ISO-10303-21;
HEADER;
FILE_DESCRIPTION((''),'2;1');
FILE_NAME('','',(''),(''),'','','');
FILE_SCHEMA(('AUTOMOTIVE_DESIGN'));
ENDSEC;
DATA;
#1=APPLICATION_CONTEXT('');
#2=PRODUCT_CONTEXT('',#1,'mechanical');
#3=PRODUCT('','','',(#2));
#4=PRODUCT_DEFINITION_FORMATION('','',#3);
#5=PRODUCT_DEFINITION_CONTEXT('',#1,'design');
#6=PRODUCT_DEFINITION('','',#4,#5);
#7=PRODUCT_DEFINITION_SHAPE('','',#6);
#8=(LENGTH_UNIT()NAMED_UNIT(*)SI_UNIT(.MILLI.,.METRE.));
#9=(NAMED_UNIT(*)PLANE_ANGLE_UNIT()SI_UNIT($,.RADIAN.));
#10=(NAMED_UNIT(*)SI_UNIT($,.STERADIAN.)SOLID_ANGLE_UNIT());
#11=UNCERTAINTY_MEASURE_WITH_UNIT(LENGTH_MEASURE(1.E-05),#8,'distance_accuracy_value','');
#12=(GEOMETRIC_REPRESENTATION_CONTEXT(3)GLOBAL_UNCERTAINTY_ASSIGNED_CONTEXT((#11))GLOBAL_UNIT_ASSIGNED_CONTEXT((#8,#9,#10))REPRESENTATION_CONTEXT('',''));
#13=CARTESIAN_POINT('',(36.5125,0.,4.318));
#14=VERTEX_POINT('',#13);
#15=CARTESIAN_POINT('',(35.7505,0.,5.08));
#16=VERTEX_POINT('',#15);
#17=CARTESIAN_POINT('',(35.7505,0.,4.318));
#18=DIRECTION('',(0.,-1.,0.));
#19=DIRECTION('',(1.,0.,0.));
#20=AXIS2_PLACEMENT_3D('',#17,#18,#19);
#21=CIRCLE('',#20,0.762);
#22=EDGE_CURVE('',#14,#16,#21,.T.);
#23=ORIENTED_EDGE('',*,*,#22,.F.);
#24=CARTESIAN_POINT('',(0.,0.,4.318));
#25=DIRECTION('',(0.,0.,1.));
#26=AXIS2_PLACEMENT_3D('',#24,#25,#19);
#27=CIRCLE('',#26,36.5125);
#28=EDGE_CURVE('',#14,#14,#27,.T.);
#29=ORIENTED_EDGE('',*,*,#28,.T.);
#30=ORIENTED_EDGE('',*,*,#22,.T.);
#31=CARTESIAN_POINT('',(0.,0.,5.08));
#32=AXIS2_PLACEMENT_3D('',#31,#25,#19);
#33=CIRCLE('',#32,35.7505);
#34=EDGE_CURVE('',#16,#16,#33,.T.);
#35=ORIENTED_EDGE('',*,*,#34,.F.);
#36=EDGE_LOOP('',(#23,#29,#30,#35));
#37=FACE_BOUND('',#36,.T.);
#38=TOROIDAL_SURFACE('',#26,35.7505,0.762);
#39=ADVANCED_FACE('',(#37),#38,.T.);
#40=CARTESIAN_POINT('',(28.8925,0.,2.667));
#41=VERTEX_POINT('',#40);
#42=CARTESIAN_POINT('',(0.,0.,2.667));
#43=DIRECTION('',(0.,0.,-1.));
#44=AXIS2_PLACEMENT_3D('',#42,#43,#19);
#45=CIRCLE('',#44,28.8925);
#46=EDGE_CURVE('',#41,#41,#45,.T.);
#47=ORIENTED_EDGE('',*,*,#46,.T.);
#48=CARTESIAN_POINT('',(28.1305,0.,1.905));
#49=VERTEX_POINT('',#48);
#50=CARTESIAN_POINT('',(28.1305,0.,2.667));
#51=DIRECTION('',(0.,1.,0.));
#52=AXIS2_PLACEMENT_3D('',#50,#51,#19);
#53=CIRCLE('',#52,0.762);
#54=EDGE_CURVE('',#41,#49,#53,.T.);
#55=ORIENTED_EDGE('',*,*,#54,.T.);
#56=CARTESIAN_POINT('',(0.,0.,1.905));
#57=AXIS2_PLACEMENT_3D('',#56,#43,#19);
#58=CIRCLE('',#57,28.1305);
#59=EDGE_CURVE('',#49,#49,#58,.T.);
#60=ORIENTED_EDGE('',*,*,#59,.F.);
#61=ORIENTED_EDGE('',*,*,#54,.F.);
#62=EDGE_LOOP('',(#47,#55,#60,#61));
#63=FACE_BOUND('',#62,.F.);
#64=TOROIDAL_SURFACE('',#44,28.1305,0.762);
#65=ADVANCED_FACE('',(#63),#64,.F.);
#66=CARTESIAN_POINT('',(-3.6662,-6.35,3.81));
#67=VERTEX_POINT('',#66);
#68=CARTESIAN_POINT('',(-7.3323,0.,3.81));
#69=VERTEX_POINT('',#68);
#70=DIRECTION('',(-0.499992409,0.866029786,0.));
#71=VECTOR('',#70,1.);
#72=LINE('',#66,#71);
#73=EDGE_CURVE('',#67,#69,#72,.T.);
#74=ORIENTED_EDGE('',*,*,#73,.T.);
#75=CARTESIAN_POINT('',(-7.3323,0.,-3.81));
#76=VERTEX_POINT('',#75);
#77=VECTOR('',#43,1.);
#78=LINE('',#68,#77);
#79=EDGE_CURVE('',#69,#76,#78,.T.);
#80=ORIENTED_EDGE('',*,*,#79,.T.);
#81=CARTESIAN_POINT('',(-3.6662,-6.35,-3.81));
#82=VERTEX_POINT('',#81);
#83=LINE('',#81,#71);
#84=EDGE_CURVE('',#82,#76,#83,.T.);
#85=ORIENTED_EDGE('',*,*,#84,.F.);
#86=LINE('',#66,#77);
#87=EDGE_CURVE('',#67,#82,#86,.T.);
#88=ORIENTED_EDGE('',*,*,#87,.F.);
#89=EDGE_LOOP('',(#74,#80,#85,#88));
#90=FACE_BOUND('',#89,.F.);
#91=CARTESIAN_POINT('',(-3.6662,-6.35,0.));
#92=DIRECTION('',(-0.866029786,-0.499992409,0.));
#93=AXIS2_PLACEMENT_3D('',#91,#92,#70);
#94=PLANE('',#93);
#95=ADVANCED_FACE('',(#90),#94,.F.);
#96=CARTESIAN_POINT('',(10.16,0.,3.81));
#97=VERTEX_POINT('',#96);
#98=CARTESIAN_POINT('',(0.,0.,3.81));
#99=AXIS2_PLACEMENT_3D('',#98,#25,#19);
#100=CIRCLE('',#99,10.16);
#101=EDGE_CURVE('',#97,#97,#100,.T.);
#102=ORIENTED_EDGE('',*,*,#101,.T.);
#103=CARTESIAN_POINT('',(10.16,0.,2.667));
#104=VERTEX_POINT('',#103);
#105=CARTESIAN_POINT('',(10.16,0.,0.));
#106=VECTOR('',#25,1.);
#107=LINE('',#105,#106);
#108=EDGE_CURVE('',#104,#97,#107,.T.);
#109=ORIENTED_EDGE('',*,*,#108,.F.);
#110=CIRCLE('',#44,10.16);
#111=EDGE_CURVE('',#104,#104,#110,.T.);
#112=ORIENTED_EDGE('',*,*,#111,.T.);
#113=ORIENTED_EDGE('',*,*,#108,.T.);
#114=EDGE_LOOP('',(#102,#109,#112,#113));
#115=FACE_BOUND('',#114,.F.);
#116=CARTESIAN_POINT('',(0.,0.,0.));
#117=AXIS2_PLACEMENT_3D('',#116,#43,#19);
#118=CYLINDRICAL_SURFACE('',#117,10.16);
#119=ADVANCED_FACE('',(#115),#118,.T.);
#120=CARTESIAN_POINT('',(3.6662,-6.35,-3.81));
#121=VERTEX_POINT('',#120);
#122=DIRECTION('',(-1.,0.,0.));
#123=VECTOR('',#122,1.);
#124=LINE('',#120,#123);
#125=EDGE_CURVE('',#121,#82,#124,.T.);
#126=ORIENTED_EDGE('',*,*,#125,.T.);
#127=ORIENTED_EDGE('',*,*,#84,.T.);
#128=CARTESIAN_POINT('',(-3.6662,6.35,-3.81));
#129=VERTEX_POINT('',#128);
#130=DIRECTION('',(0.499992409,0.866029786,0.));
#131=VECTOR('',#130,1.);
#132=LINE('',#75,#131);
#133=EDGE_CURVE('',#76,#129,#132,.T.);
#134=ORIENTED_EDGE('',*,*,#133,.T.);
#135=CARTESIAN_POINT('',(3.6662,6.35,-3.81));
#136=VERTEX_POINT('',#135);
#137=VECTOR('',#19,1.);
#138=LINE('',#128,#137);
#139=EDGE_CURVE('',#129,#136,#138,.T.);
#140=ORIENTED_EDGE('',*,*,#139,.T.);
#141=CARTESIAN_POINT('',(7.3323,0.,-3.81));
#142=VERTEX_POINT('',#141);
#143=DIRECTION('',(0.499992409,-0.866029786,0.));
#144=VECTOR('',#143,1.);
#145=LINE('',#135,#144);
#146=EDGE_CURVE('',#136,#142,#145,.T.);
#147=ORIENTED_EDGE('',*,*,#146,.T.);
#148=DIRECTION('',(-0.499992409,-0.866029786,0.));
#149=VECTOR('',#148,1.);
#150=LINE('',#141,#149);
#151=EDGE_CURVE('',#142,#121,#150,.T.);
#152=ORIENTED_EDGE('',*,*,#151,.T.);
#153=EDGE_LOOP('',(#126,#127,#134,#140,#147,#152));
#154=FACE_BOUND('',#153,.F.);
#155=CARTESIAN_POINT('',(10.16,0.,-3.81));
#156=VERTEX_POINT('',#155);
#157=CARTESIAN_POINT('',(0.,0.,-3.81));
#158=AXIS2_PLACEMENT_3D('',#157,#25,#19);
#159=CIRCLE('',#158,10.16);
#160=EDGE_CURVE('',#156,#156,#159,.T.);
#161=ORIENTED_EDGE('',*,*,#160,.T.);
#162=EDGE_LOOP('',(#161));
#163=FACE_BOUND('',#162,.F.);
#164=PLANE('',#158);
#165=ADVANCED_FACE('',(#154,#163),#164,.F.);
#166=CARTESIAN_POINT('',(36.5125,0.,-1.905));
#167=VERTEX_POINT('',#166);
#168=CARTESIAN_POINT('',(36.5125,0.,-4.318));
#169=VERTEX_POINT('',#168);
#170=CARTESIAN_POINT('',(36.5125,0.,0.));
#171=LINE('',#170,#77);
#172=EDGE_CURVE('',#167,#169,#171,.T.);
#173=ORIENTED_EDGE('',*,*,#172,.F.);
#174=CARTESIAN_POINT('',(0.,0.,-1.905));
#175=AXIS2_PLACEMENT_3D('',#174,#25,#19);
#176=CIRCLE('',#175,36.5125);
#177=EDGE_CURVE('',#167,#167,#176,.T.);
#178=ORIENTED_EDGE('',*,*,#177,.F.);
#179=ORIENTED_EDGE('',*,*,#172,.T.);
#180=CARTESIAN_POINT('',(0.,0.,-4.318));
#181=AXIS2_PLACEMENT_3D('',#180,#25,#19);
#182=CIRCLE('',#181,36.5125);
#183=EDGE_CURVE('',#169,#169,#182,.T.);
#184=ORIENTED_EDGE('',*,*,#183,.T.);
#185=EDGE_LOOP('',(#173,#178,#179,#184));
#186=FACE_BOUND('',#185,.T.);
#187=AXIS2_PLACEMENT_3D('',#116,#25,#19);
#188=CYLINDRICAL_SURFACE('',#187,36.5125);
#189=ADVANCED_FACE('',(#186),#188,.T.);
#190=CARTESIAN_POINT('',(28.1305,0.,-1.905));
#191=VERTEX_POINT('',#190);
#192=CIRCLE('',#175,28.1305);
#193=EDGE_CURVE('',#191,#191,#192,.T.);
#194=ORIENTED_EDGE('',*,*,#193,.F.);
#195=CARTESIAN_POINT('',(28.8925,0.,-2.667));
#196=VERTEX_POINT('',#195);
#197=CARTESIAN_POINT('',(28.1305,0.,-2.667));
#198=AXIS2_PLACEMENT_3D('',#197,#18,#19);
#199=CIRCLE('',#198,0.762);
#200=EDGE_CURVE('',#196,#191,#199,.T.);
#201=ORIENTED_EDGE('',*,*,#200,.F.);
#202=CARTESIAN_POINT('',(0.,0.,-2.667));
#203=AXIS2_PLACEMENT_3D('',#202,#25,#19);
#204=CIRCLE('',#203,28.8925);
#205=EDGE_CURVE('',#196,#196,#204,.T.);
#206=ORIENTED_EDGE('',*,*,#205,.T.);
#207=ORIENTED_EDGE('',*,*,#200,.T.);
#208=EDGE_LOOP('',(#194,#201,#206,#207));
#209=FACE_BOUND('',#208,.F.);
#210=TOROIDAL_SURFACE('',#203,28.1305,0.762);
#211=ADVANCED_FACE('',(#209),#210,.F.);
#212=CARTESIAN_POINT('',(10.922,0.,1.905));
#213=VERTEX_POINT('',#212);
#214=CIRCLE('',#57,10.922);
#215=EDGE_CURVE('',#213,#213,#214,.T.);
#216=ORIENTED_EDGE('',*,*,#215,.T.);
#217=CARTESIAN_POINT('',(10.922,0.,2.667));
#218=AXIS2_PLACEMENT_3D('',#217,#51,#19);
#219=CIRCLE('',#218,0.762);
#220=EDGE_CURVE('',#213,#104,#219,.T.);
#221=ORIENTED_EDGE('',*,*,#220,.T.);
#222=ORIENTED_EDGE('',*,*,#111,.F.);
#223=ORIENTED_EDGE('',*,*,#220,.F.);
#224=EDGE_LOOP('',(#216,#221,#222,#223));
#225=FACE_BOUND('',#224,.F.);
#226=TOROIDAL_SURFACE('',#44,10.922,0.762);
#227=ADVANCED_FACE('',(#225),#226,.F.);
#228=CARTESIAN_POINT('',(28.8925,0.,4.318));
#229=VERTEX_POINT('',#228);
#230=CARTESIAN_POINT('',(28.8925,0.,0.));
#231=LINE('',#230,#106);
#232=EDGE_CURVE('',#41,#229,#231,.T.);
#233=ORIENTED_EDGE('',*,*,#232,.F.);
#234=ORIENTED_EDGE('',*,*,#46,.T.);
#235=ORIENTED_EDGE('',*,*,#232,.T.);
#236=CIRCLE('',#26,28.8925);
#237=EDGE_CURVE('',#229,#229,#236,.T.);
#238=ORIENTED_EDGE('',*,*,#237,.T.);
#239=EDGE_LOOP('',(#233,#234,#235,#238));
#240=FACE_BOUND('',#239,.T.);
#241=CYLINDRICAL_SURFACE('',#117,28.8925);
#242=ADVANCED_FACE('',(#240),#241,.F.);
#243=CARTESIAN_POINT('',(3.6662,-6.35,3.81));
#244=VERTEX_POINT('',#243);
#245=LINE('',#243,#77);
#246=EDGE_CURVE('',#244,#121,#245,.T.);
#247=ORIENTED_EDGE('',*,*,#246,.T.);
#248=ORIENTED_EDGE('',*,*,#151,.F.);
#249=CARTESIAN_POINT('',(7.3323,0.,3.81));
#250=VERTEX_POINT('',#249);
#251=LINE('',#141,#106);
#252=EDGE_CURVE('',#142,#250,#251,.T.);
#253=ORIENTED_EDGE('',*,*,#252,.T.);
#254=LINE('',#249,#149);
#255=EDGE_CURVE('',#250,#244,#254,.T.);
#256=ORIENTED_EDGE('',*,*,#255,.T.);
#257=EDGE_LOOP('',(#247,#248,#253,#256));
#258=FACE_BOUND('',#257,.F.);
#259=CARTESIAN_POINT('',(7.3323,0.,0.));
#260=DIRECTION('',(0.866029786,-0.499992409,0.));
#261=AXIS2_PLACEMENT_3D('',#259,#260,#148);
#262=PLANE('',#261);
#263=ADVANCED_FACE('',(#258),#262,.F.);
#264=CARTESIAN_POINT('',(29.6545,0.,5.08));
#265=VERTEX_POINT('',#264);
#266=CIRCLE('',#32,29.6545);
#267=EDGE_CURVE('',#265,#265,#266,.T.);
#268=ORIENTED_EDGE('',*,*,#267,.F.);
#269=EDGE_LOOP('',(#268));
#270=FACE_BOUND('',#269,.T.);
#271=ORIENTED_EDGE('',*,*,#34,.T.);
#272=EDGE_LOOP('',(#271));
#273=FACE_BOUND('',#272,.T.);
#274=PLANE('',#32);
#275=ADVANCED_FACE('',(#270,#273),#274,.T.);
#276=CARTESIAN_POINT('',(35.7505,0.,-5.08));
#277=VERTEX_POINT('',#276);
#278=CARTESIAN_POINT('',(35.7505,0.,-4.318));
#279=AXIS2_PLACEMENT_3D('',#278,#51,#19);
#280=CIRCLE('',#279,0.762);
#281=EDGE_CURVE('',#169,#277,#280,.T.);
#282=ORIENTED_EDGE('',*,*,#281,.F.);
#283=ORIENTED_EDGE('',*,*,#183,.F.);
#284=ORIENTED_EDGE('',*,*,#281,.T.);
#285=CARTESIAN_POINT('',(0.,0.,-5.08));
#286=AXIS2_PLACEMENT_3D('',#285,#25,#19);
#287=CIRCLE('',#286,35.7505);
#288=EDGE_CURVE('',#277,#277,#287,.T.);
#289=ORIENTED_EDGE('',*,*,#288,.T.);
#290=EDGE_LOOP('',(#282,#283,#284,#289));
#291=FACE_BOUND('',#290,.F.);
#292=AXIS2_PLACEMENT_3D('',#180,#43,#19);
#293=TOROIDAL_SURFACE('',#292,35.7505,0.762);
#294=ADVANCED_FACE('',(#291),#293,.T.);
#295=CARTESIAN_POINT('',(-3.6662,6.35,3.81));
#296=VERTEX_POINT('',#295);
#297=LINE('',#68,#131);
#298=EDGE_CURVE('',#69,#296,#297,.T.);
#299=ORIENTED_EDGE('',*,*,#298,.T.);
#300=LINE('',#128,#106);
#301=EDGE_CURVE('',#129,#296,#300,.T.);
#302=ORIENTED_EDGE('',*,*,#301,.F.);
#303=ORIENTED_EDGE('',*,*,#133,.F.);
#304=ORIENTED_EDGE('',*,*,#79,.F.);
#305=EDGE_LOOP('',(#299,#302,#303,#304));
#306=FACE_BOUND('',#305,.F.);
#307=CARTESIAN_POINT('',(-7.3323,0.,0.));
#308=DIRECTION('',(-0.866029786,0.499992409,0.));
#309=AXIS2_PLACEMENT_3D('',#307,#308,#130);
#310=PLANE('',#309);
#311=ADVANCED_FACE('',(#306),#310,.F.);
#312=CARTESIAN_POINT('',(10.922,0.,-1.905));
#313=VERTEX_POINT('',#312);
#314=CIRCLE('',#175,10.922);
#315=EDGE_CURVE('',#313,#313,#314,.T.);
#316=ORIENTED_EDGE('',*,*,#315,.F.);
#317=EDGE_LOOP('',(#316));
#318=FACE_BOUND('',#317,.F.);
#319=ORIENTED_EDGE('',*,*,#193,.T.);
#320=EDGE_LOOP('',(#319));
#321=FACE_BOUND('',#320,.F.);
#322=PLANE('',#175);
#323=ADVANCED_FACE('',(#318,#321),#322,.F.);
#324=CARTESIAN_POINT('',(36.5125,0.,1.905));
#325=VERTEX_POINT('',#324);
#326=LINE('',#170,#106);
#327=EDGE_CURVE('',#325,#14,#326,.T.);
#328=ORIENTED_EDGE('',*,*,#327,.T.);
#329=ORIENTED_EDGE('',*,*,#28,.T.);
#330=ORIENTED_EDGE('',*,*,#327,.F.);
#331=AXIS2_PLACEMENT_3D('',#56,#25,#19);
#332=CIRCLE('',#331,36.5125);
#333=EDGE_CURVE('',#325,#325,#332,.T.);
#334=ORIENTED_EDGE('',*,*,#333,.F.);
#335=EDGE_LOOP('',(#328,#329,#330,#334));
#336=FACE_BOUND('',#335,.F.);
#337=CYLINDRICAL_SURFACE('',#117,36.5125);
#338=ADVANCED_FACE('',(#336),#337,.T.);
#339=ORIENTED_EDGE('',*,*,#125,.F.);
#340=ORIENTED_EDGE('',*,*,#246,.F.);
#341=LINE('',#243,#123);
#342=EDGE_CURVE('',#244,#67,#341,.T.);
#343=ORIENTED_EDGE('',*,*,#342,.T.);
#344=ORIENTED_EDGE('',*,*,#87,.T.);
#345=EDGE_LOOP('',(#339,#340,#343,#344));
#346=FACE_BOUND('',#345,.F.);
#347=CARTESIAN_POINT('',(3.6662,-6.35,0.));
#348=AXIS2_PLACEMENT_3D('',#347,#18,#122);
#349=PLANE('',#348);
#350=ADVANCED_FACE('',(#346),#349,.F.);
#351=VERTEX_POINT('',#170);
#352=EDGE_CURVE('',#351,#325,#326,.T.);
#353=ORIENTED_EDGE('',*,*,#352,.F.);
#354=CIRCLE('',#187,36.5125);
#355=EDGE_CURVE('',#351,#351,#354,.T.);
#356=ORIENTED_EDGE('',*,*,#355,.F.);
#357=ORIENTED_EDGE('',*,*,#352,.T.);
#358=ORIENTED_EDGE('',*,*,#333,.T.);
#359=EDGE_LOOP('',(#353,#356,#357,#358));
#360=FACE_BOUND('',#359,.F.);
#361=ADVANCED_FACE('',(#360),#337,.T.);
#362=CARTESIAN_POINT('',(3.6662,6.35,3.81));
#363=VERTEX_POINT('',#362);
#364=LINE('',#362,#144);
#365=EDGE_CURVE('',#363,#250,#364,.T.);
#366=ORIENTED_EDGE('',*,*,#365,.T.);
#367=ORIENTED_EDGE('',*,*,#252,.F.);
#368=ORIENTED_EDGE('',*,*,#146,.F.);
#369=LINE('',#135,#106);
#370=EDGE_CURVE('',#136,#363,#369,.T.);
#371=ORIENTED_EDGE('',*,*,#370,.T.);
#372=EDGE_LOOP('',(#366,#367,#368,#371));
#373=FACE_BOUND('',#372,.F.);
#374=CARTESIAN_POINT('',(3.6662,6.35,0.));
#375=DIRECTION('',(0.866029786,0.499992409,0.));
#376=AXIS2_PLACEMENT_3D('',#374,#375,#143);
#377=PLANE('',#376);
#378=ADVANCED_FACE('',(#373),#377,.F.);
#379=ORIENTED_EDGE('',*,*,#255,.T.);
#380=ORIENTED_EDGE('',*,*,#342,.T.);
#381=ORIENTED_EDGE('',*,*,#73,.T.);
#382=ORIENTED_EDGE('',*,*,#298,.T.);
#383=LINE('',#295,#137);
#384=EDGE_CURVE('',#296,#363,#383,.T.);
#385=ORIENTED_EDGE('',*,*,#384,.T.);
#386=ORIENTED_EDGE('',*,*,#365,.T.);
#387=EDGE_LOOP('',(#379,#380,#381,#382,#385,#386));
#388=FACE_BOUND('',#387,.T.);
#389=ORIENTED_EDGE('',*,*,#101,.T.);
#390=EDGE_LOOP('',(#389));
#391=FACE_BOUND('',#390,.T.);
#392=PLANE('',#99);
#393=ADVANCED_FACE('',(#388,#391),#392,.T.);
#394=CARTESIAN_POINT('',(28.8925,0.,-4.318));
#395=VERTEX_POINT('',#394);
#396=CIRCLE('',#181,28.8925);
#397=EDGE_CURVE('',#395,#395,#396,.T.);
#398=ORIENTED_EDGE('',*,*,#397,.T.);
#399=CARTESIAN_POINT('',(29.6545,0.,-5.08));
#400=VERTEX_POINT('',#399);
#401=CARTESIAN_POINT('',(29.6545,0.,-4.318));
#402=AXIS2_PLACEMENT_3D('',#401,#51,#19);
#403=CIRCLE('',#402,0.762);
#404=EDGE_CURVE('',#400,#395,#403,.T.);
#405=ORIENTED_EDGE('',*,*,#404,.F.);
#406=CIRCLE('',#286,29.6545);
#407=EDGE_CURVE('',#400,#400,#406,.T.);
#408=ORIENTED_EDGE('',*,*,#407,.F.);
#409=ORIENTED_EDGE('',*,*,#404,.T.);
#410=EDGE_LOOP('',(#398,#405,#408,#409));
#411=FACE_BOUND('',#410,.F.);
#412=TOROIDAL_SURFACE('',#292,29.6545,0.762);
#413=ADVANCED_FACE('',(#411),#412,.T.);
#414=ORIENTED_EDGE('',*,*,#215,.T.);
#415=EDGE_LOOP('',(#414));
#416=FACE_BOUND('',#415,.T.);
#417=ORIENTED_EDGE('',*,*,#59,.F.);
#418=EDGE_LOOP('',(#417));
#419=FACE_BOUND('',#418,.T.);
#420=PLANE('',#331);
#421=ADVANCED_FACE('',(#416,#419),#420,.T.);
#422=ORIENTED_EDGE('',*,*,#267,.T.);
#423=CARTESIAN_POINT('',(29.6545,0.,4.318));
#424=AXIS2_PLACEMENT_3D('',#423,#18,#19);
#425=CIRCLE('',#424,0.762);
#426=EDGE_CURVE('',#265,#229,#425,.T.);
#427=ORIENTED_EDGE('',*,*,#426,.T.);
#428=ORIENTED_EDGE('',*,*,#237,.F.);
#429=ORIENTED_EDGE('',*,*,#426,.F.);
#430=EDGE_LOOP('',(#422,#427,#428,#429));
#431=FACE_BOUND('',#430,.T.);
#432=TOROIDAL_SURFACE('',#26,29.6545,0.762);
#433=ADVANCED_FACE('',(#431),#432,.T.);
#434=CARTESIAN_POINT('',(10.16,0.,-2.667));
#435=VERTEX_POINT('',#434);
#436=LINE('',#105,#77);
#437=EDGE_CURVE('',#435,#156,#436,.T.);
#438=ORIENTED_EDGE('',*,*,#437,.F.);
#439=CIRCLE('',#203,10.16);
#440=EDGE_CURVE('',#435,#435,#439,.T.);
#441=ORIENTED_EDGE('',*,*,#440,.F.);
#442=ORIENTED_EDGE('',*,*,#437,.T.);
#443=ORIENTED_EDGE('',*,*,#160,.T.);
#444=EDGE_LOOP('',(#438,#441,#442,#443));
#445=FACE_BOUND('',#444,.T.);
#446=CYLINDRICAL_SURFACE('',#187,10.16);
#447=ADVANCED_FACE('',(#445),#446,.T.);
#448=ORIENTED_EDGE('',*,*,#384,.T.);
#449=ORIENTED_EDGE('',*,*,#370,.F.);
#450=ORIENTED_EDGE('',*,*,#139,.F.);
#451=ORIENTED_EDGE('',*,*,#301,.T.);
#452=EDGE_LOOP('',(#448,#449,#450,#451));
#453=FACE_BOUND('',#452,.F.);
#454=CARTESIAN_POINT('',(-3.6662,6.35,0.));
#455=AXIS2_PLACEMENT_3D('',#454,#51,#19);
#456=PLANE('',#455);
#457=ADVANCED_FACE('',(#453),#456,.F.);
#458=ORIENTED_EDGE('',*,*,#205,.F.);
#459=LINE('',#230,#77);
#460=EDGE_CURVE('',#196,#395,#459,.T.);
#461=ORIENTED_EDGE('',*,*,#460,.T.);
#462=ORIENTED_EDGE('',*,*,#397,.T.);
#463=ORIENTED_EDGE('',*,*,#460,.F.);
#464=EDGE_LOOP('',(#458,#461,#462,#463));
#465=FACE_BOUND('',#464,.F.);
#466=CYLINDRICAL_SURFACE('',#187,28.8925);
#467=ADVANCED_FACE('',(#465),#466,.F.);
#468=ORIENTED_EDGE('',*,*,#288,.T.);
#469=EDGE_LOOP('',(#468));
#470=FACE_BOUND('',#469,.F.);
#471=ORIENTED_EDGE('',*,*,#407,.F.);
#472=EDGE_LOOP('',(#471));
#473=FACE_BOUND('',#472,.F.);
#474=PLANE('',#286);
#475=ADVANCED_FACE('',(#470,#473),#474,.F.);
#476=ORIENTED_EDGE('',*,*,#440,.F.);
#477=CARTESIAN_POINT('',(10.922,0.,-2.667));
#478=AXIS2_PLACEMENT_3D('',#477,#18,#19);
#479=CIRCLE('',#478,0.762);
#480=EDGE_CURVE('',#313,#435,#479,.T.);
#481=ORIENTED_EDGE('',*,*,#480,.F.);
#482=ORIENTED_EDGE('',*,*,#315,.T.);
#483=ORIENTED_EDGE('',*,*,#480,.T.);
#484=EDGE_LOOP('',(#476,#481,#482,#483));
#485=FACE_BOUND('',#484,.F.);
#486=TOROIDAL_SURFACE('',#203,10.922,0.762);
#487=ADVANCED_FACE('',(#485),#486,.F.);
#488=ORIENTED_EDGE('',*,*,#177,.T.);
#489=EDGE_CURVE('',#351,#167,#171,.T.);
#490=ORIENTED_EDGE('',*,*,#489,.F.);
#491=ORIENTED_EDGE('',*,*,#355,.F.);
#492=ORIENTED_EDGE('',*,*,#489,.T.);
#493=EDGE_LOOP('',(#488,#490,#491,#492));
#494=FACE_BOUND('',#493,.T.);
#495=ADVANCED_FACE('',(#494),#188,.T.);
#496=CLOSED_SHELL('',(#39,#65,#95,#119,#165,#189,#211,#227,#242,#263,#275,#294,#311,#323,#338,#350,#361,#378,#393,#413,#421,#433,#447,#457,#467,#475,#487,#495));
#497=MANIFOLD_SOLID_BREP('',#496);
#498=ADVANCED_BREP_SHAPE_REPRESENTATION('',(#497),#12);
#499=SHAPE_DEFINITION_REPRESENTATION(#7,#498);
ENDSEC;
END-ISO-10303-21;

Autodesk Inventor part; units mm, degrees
ref_plane "YZ Plane" through (0, 0, 0) normal (1, 0, 0) x (0, 1, 0)
ref_plane "XZ Plane" through (0, 0, 0) normal (0, 1, 0) x (-1, 0, 0)
ref_plane "XY Plane" through (0, 0, 0) normal (0, 0, 1) x (1, 0, 0)
sketch "Sketch1" plane through (0, 0, 0) normal (0, 0, 1) x (1, 0, 0)
  circle A0 centre (0, 0) radius 36.5125
  dimension "d0" = 73.025
extrude "Extrusion1" add sketch "Sketch1" along normal mid plane 3.81
sketch "Sketch2" plane through (0, 0, 0) normal (0, 0, 1) x (1, 0, 0)
  circle A0 centre (0, 0) radius 36.5125 projected
  circle A1 centre (0, 0) radius 28.8925
  dimension "d3" = 57.785
extrude "Extrusion2" add sketch "Sketch2" along normal mid plane 10.16
sketch "Sketch3" plane through (0, 0, 0) normal (0, 0, 1) x (1, 0, 0)
  circle A0 centre (0, 0) radius 10.16
  dimension "d6" = 20.32
extrude "Extrusion3" add sketch "Sketch3" along normal mid plane 7.62
sketch "Sketch4" plane through (0, 0, 0) normal (0, 0, 1) x (1, 0, 0)
  line L0 (7.3323, 0) -> (3.6662, -6.35)
  line L1 (3.6662, -6.35) -> (-3.6662, -6.35)
  line L2 (-3.6662, -6.35) -> (-7.3323, 0)
  line L3 (-7.3323, 0) -> (-3.6662, 6.35)
  line L4 (-3.6662, 6.35) -> (3.6662, 6.35)
  line L5 (3.6662, 6.35) -> (7.3323, 0)
  point P0 (0, 0)
  point P1 (0, 0)
  dimension "d9" = 12.7
extrude "Extrusion4" cut sketch "Sketch4" along normal mid plane 7.62
fillet "Fillet1" radius 0.762 8 edges at (-28.8925, 0, -5.08) (-28.8925, 0, 5.08) (-10.16, 0, 1.905) (-10.16, 0, -1.905) (-28.8925, 0, 1.905) (-28.8925, 0, -1.905) (-36.5125, 0, 5.08) (-36.5125, 0, -5.08)
properties part number "BaneBot 2 7-8 Blue" material "ABS Plastic"
